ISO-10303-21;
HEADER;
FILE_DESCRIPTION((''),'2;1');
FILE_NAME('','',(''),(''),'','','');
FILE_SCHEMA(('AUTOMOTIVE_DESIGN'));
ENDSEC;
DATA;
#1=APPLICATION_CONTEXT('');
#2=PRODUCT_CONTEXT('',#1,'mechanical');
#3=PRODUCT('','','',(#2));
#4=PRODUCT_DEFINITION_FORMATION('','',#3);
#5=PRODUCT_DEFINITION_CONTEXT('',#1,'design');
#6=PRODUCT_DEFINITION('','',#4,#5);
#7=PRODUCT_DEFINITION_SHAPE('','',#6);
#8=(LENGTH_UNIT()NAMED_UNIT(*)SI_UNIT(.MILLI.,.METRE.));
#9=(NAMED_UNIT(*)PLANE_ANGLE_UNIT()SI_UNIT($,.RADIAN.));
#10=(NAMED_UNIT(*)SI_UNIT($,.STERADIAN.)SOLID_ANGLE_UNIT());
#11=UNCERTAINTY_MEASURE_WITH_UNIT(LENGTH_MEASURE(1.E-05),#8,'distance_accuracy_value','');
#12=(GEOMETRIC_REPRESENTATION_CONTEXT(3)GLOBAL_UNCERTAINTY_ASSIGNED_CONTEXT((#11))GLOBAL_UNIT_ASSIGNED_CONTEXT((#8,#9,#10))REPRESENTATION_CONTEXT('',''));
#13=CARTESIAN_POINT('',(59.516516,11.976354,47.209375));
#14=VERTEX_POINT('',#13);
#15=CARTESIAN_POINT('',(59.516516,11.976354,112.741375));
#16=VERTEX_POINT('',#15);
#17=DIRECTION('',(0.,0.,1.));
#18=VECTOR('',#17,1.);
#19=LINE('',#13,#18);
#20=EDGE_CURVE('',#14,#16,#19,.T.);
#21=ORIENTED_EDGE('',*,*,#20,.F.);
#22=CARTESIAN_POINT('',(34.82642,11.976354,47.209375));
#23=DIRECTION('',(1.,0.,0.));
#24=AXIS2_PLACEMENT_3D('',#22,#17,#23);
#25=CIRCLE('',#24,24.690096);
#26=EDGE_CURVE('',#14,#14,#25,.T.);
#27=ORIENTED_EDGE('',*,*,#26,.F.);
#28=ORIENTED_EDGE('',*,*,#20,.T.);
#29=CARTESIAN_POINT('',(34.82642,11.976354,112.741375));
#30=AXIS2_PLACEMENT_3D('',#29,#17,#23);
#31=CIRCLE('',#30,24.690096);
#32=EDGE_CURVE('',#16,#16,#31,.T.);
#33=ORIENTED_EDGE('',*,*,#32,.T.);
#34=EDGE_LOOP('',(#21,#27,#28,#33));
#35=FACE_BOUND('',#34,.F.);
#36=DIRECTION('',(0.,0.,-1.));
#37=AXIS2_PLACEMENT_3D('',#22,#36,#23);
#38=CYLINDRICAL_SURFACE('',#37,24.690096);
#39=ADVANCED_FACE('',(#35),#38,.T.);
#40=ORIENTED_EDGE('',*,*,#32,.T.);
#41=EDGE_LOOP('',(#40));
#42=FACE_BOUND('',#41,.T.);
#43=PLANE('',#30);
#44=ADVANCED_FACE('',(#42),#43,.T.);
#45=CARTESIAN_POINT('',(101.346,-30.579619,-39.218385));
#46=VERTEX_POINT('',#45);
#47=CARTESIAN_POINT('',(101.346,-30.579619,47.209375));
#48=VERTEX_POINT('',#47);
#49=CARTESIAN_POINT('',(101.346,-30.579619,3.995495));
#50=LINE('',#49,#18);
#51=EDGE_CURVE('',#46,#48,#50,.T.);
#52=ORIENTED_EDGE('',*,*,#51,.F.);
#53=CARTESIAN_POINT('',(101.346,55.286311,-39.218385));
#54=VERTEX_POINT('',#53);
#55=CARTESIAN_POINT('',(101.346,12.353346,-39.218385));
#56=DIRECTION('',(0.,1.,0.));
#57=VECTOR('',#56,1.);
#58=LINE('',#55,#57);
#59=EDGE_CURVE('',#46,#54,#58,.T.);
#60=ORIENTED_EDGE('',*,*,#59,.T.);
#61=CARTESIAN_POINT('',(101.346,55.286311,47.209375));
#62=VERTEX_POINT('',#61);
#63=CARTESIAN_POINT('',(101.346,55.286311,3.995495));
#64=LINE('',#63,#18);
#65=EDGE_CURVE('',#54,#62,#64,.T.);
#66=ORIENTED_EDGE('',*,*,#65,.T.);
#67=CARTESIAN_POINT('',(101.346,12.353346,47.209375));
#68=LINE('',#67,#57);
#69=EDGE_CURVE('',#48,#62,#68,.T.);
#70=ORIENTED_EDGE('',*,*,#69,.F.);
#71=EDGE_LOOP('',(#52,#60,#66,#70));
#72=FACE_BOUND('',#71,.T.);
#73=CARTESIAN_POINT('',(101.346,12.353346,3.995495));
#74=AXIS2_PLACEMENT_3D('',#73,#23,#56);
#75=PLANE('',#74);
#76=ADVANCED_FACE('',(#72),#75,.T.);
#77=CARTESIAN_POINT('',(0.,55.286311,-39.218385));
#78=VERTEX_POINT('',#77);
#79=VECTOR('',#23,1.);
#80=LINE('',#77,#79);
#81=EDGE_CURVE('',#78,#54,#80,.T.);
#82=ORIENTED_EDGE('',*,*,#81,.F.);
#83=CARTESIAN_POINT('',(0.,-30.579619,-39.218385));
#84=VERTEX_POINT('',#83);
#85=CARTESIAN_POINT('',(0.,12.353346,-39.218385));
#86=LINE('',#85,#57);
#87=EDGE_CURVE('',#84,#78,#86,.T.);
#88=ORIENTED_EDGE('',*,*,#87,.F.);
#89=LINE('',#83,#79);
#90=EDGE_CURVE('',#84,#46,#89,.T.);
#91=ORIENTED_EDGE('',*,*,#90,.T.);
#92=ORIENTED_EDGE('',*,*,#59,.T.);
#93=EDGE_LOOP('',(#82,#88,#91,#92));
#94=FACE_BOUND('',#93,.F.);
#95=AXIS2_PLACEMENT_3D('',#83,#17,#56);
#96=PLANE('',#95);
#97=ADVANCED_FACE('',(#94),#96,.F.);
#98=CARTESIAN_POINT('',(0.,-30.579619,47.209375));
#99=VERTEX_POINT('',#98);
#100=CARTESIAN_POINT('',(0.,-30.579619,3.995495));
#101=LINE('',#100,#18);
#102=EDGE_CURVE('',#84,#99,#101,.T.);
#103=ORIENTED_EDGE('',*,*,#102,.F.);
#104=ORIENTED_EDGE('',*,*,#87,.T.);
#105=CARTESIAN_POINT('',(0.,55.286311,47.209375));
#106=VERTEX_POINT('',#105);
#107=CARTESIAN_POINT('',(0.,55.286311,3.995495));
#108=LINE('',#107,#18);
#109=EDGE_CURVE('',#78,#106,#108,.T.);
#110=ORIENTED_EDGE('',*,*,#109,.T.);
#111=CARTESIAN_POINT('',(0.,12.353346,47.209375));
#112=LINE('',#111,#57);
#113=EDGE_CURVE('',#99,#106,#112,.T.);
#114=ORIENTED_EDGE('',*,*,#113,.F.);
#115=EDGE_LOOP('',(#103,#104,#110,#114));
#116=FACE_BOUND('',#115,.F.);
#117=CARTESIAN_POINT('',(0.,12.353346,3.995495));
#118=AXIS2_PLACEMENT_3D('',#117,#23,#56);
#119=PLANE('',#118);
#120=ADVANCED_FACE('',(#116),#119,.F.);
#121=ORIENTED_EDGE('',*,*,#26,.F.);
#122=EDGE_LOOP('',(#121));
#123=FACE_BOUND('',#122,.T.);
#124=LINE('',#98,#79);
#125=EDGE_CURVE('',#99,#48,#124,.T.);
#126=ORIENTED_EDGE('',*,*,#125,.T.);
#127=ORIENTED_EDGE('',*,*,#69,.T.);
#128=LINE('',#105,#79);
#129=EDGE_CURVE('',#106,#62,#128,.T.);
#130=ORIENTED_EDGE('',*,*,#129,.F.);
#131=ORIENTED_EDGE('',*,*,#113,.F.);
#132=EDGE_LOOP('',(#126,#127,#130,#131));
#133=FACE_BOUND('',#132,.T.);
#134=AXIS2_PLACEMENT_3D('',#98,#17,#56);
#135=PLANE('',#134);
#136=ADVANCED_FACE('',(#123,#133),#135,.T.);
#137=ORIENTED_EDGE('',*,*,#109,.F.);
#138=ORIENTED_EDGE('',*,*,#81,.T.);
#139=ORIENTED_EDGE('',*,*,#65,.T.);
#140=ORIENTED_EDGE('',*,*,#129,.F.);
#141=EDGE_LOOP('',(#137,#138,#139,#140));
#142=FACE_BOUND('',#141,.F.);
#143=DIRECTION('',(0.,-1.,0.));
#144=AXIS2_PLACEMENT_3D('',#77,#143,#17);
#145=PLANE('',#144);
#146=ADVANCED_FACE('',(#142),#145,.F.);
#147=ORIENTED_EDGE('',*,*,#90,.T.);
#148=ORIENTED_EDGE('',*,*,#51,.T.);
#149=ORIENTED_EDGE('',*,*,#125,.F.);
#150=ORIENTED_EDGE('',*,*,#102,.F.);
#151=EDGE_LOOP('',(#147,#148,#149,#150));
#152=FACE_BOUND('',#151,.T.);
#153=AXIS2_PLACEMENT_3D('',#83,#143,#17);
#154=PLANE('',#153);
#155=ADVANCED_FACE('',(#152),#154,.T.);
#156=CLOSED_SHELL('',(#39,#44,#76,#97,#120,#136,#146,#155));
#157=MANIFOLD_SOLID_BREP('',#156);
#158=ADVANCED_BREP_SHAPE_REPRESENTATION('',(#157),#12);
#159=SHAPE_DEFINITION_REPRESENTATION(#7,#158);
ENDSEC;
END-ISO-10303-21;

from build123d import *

# Parameters (mm, degrees)
F0_W     = 85.86593
F0_H     = 86.42776
F1_DEPTH = 101.346
F2_R     = 24.690096
F3_DEPTH = 65.532


with BuildPart() as f1:
    # F0 (on Right) → F1 (new body)
    with BuildSketch(Plane.YZ):
        with Locations((12.353346, 3.995495)):
            Rectangle(F0_W, F0_H)
    extrude(amount=F1_DEPTH)

    # F2 (on face) → F3 (join)
    with BuildSketch(Plane.XY.offset(47.209375)):
        with Locations((34.82642, 11.976354)):
            Circle(F2_R)
    extrude(amount=F3_DEPTH)


solid = f1.part
